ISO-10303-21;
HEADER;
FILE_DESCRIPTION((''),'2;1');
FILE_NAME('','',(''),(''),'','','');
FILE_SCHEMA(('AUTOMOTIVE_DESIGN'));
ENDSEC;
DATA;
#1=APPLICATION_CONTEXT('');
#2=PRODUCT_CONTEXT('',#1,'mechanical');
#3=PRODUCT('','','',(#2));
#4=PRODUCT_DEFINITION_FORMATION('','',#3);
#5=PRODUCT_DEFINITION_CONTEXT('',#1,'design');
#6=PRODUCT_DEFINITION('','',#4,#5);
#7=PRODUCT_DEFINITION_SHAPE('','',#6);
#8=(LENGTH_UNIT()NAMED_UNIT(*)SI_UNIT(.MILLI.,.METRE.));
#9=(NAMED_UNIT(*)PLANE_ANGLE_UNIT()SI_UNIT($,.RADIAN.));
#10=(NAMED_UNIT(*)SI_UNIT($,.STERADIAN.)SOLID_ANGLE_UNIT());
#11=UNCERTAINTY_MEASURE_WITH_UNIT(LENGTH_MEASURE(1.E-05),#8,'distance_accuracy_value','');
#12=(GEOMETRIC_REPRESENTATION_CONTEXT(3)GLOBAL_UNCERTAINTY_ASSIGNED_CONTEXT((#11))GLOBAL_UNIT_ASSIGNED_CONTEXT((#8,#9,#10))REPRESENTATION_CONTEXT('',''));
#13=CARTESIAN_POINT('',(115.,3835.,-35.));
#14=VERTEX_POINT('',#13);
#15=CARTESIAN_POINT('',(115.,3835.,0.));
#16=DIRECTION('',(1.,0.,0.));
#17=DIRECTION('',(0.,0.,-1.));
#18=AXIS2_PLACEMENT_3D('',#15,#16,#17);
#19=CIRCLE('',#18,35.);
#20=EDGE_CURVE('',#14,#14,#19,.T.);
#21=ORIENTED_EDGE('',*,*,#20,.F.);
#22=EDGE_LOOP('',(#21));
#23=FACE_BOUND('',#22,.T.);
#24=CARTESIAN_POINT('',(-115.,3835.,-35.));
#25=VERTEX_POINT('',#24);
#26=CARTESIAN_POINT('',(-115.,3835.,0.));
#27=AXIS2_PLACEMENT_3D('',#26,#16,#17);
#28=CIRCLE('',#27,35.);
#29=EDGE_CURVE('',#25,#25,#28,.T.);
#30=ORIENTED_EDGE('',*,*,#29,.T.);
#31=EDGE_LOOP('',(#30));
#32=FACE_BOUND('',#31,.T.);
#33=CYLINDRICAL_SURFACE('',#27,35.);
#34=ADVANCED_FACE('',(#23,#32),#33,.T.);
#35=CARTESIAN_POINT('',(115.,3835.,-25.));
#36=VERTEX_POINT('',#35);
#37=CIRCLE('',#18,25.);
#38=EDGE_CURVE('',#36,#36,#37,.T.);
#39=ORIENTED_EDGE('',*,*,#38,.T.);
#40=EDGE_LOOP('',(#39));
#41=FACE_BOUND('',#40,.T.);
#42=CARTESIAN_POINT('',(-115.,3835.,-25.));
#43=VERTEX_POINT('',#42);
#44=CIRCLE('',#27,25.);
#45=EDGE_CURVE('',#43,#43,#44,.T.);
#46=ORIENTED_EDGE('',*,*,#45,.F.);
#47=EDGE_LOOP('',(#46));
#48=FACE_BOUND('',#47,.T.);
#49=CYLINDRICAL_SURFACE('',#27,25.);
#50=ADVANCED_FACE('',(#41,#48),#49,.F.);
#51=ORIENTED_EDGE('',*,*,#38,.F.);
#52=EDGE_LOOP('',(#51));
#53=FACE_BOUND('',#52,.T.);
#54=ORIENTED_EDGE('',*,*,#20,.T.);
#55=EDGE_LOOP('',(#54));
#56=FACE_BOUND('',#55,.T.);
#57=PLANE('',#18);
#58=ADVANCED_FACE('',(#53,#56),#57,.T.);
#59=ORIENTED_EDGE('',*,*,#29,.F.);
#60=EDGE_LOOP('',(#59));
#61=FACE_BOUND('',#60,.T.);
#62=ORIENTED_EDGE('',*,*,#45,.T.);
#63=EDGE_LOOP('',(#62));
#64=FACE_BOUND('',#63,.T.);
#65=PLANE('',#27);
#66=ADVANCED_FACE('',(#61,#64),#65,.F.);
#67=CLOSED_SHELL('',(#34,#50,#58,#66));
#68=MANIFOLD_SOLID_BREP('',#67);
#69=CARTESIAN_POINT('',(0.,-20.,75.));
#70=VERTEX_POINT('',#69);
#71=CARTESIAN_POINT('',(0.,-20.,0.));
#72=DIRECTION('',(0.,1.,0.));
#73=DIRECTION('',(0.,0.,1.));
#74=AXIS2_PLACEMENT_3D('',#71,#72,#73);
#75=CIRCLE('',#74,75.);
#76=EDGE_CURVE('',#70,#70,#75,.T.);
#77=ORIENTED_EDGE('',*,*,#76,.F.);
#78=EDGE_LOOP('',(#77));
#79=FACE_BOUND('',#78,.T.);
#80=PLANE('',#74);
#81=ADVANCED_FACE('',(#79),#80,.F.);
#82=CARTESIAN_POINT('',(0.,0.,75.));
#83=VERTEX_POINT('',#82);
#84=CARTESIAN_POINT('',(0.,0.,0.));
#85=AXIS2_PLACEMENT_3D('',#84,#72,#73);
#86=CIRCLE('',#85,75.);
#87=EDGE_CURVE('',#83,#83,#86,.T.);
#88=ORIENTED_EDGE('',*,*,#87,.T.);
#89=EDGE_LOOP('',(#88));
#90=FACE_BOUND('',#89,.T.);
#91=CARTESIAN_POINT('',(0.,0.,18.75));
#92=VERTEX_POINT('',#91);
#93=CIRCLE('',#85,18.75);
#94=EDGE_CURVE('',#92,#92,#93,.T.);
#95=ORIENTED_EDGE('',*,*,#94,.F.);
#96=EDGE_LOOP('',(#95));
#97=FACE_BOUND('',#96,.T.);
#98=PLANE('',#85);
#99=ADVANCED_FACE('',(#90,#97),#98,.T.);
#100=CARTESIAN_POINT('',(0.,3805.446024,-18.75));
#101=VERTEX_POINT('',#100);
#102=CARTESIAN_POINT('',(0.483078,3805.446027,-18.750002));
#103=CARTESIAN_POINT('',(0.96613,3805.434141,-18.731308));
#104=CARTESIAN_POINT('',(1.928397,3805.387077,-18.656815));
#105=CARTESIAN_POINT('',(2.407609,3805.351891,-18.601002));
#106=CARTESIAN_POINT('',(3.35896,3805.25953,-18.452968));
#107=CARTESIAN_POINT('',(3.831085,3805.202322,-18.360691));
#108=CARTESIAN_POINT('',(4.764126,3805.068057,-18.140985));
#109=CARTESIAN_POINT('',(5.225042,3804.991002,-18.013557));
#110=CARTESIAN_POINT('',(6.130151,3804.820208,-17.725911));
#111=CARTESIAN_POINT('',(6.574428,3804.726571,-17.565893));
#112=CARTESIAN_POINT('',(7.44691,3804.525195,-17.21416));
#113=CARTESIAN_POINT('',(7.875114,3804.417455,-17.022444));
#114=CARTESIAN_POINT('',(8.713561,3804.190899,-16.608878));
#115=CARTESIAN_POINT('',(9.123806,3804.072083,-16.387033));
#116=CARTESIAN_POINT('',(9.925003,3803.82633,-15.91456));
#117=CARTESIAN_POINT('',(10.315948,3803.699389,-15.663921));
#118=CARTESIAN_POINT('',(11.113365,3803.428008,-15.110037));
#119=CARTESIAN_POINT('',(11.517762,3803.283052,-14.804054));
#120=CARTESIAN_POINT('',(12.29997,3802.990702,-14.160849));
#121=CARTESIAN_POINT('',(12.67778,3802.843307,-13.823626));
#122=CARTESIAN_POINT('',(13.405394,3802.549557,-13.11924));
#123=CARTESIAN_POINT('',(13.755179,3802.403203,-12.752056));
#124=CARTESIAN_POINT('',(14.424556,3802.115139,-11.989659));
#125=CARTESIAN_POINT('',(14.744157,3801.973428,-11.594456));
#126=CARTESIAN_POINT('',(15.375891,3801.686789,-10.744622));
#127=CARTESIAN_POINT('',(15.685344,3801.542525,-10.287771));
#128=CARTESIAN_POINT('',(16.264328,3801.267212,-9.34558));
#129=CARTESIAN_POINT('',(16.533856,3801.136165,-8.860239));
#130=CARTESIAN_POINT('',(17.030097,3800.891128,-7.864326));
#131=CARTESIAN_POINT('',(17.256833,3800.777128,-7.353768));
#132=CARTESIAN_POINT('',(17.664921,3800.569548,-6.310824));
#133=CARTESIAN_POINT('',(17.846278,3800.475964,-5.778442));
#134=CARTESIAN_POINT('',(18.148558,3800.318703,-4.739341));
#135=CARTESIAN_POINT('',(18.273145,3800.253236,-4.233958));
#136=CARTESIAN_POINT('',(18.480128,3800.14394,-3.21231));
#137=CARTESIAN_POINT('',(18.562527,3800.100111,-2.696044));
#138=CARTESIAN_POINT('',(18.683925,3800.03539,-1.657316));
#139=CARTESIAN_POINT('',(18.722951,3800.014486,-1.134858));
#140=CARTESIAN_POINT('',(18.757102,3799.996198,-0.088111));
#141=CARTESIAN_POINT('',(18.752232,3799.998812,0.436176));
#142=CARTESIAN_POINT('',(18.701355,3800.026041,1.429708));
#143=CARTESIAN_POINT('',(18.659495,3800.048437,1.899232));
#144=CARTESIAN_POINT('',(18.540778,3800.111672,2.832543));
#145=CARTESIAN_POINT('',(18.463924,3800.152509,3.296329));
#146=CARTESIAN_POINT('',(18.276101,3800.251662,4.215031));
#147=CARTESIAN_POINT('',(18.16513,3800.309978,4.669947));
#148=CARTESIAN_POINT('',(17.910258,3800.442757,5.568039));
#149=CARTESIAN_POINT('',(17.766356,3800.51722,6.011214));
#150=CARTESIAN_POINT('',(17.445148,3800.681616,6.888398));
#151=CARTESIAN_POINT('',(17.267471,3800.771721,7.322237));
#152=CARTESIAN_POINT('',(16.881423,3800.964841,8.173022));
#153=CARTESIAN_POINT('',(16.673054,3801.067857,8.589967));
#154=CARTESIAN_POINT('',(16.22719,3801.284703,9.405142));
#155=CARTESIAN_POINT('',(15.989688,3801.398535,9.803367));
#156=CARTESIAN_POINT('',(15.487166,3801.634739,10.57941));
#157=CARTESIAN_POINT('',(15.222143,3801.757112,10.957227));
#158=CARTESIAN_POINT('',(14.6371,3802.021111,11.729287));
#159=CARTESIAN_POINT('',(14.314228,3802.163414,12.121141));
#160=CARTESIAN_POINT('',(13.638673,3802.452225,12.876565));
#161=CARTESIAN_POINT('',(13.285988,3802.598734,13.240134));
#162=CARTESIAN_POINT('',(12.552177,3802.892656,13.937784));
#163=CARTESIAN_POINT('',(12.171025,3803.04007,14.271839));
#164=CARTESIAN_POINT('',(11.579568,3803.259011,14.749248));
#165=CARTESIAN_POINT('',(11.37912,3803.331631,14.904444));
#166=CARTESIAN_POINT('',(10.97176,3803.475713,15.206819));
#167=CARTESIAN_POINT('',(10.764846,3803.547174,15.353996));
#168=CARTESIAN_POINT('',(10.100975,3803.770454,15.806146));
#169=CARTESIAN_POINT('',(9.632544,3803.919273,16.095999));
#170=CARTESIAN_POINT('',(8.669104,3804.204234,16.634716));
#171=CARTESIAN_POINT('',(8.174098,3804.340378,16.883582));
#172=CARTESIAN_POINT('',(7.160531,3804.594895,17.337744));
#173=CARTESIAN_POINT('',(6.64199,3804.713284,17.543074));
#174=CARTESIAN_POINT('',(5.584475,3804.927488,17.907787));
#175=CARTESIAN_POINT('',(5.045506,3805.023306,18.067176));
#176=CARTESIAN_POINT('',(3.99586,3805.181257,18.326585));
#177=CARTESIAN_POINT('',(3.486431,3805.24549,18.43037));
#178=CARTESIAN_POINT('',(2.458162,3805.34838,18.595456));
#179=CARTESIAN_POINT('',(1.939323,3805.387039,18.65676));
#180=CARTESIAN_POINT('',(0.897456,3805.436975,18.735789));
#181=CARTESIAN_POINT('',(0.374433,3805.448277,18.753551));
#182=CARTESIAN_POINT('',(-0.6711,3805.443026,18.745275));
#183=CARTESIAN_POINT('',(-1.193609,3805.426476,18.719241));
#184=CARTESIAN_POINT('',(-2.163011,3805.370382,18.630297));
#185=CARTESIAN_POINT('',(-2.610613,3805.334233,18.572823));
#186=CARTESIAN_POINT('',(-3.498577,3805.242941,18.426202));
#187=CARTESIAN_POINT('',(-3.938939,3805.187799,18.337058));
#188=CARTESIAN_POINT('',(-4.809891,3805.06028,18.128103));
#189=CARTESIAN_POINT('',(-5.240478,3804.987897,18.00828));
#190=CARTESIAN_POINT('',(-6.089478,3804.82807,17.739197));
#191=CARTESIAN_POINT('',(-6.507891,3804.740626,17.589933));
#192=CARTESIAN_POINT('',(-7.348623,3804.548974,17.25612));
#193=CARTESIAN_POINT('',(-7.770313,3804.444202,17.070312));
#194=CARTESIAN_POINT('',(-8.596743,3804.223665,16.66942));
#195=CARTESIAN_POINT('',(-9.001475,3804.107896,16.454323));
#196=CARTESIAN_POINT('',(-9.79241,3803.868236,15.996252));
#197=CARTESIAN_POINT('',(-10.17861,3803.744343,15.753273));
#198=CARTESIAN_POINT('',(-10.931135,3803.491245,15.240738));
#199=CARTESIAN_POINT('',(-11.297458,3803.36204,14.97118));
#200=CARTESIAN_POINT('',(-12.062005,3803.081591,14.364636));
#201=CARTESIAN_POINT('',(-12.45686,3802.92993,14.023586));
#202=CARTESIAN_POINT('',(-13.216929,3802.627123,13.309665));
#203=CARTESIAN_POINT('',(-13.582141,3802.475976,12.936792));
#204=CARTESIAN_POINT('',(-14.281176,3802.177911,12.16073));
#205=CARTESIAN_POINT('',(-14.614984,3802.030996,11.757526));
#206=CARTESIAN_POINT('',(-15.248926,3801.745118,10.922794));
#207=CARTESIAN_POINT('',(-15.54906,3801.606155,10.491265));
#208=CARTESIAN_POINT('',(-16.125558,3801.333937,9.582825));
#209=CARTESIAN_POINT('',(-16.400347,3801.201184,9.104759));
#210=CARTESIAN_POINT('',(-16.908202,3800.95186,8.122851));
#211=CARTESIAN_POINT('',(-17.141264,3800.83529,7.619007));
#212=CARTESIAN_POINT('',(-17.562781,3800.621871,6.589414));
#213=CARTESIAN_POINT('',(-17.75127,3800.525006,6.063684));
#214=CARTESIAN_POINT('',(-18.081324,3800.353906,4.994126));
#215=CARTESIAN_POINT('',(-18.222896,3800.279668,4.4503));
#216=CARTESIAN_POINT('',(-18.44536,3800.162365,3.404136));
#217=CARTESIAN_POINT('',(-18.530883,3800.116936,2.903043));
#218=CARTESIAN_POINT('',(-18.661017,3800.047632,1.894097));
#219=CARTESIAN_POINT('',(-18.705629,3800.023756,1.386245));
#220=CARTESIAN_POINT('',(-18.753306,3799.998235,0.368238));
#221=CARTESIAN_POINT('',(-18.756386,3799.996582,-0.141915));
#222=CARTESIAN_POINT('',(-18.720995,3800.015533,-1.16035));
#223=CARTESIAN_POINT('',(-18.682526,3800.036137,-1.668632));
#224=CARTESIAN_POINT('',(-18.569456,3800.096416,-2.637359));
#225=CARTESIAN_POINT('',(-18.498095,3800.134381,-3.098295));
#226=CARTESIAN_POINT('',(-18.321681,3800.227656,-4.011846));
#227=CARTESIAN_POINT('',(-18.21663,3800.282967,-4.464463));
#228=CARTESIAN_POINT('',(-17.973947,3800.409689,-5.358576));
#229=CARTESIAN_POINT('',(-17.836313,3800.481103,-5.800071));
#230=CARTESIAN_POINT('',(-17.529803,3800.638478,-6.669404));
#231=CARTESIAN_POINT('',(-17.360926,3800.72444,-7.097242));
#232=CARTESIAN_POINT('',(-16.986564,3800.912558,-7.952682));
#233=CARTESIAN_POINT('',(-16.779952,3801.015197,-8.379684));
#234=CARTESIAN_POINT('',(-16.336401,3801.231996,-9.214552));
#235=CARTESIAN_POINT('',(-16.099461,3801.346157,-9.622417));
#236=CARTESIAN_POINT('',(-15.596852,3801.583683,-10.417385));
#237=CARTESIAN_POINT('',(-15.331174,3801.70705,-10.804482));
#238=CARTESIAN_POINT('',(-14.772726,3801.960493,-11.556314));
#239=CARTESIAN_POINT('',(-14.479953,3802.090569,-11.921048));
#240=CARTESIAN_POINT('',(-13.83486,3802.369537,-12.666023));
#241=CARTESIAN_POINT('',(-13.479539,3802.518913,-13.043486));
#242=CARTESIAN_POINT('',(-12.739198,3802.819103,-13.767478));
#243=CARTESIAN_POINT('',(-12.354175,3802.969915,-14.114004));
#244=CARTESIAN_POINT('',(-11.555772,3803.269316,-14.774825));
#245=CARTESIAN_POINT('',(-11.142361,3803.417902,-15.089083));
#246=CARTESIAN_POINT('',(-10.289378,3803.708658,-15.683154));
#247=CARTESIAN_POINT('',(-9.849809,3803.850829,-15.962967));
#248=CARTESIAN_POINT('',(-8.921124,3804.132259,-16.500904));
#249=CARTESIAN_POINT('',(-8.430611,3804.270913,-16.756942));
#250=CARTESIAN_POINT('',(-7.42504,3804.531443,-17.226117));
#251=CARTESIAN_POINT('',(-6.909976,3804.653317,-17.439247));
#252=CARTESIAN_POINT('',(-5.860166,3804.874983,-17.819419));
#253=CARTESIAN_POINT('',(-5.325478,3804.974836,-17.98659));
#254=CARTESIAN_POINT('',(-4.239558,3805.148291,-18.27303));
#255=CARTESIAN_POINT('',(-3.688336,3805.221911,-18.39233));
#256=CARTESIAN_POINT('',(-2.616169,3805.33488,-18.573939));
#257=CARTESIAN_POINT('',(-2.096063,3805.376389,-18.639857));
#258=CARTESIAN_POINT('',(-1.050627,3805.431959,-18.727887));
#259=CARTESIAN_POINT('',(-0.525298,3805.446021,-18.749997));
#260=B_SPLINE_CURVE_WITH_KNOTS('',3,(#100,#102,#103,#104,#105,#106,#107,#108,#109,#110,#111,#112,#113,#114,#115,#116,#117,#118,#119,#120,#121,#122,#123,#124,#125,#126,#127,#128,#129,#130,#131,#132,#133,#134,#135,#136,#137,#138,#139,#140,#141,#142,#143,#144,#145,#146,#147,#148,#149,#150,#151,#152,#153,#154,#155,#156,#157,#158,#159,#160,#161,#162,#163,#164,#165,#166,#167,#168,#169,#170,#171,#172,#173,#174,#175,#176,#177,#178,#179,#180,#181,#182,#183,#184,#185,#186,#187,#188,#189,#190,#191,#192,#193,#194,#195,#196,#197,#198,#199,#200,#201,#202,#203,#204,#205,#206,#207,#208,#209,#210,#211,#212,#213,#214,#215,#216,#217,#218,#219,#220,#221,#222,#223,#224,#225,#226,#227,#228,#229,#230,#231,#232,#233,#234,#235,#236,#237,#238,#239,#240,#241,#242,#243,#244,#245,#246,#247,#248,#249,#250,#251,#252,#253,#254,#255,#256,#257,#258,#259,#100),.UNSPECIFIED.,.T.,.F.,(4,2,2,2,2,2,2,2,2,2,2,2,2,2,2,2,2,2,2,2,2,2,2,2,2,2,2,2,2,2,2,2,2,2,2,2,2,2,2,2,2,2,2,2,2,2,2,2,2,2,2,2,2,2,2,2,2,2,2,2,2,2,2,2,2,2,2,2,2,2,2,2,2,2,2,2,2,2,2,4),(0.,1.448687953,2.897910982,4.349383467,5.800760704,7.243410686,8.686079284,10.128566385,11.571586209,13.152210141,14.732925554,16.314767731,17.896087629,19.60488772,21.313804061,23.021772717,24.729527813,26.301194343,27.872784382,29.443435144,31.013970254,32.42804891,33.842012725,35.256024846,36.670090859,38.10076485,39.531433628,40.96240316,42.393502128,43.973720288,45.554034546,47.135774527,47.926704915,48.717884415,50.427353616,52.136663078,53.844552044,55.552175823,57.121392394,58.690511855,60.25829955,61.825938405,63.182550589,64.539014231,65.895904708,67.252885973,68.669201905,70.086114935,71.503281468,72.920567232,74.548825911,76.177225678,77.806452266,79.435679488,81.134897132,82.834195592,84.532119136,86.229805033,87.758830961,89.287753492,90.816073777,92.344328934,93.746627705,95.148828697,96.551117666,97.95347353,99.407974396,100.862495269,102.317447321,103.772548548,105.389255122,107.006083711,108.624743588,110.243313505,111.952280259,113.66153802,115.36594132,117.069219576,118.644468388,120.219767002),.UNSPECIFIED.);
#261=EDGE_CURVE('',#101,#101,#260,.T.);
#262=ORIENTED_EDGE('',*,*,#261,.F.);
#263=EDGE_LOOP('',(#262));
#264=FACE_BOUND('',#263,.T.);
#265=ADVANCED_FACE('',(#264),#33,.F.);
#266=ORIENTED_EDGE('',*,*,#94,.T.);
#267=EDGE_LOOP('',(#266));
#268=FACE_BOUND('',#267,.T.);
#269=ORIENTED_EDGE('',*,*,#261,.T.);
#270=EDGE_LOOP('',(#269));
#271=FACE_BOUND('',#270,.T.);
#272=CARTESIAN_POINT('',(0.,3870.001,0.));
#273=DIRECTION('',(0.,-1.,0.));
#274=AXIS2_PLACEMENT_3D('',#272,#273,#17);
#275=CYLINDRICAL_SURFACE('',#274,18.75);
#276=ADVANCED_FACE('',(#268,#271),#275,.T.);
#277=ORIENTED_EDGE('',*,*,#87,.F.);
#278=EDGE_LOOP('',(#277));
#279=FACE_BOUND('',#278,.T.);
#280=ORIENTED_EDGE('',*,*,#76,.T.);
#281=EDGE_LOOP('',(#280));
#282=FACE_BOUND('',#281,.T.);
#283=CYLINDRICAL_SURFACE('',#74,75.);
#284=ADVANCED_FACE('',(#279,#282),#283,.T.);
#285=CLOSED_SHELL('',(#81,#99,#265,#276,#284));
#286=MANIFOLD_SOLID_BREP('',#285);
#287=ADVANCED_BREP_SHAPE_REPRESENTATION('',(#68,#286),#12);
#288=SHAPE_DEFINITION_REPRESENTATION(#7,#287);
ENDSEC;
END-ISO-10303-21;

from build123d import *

# Parameters (mm, degrees)
KLIP_SKETCH1_R                = 75
KLIP_BOSS_EXTRUDE1_DEPTH      = 20
KLIP_BOSS_EXTRUDE3_DEPTH      = 115
KLIP_BOSS_EXTRUDE3_DEPTH_BACK = 115
KLIP_SKETCH3_R                = 35
KLIP_SKETCH3_R_2              = 25
KLIP_BOSS_EXTRUDE2_REACH      = 3874.435
KLIP_BOSS_EXTRUDE2_END_RADIUS = 35
KLIP_SKETCH2_R                = 18.75


with BuildPart() as part:
    # klip_Sketch1 → klip_Boss-Extrude1 (new body)
    with BuildSketch(Plane(origin=(0, 0, 0), x_dir=(1, 0, 0), z_dir=(0, 1, 0))):
        Circle(KLIP_SKETCH1_R)
    extrude(amount=-KLIP_BOSS_EXTRUDE1_DEPTH)

    # klip_Boss-Extrude2: up to this cylinder (the profile starts outside it)
    klip_boss_extrude2_end = Plane(origin=(0, 3835, 0), z_dir=(1, 0, 0)) * Cylinder(KLIP_BOSS_EXTRUDE2_END_RADIUS, 7819.87, mode=Mode.PRIVATE)
    # klip_Sketch2 → klip_Boss-Extrude2 (add, up to the surface)
    with BuildSketch(Plane(origin=(0, 0, 0), x_dir=(1, 0, 0), z_dir=(0, 1, 0)), mode=Mode.PRIVATE) as klip_boss_extrude2_sk1:
        Circle(KLIP_SKETCH2_R)
    klip_boss_extrude2_tool1 = extrude(klip_boss_extrude2_sk1.sketch, amount=KLIP_BOSS_EXTRUDE2_REACH, mode=Mode.PRIVATE) - klip_boss_extrude2_end
    add(klip_boss_extrude2_tool1.solids().sort_by_distance((0, 0, 0))[0])


with BuildPart() as body_2:
    # klip_Sketch3 → klip_Boss-Extrude3 (new, two sides: drawn at the far end of the back side and taken through both)
    with BuildSketch(Plane(origin=(0, 0, 0), x_dir=(0, 0, -1), z_dir=(1, 0, 0)).offset(-KLIP_BOSS_EXTRUDE3_DEPTH_BACK)):
        with Locations((0, 3835)):
            Circle(KLIP_SKETCH3_R)
        with Locations((0, 3835)):
            Circle(KLIP_SKETCH3_R_2, mode=Mode.SUBTRACT)
    extrude(amount=KLIP_BOSS_EXTRUDE3_DEPTH + KLIP_BOSS_EXTRUDE3_DEPTH_BACK)


solid = Compound([part.part, body_2.part])
